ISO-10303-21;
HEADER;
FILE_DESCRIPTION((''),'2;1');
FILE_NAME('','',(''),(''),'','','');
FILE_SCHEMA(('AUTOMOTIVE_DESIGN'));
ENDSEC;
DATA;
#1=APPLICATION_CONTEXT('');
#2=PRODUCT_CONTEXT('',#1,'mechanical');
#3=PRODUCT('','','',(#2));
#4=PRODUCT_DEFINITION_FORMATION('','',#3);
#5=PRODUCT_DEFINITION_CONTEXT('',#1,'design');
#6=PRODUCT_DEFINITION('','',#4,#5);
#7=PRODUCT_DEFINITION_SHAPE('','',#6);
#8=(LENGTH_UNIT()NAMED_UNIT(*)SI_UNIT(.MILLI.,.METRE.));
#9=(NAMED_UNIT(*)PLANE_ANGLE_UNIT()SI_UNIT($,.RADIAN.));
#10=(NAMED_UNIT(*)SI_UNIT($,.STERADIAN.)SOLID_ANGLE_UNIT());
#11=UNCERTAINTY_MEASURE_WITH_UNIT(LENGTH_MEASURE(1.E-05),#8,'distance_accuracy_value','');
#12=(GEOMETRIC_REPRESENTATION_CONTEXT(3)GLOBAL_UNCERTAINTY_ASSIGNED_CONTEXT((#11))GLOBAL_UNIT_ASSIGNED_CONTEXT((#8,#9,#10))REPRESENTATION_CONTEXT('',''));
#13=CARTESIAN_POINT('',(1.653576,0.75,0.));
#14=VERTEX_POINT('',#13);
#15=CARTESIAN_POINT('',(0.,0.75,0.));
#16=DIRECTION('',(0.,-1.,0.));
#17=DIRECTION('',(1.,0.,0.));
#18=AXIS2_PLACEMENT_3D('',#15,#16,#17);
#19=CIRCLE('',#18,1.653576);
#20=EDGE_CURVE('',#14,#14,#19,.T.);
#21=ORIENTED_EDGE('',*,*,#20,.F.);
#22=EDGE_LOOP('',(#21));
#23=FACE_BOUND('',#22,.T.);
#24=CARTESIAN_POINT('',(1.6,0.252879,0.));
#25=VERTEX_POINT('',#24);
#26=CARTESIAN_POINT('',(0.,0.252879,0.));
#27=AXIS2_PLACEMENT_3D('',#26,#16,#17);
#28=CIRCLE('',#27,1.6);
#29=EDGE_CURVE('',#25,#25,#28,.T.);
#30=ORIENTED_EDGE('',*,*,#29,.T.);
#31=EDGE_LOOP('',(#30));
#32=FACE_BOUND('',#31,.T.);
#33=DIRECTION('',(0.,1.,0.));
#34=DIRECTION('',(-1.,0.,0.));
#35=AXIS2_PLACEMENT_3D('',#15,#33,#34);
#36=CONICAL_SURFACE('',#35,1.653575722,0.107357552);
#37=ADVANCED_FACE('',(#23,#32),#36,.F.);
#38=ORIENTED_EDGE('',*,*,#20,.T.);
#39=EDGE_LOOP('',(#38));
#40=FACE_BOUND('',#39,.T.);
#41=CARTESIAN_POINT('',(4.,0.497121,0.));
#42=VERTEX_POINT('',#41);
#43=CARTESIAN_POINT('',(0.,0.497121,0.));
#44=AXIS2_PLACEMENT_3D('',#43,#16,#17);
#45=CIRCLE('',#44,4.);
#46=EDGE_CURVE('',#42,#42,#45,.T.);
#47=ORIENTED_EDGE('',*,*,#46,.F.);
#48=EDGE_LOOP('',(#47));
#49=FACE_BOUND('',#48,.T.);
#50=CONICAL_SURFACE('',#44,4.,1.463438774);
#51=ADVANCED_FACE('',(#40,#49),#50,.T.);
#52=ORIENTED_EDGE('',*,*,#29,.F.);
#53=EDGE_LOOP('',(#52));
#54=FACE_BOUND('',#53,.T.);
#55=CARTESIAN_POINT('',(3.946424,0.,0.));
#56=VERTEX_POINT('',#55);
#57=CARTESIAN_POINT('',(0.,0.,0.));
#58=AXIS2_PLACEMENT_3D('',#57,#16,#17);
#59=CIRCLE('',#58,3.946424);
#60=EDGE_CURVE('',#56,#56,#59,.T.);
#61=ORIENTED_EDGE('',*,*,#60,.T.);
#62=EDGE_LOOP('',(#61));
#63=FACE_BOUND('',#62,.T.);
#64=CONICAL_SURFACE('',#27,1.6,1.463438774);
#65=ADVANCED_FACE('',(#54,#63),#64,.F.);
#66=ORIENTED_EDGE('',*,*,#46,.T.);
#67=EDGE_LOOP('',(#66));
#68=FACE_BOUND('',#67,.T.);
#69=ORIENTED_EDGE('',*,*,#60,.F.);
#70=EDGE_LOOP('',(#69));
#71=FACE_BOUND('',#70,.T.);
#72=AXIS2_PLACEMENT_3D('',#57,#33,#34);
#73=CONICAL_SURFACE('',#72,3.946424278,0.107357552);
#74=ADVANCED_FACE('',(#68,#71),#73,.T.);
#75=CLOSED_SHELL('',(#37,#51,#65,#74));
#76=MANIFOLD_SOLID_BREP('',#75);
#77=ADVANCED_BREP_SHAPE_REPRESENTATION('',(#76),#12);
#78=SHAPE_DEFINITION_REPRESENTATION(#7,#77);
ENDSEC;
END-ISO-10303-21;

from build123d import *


with BuildPart() as part:
    # Sketch1 → Revolve1 (revolve)
    with BuildSketch(Plane.XY):
        Polygon((3.946424278, 0), (4, 0.497121355), (1.653575722, 0.75), (1.6, 0.252878645), align=None)
    revolve(axis=Axis((0, -0.927331794, 0), (0, 1, 0)))


solid = part.part
